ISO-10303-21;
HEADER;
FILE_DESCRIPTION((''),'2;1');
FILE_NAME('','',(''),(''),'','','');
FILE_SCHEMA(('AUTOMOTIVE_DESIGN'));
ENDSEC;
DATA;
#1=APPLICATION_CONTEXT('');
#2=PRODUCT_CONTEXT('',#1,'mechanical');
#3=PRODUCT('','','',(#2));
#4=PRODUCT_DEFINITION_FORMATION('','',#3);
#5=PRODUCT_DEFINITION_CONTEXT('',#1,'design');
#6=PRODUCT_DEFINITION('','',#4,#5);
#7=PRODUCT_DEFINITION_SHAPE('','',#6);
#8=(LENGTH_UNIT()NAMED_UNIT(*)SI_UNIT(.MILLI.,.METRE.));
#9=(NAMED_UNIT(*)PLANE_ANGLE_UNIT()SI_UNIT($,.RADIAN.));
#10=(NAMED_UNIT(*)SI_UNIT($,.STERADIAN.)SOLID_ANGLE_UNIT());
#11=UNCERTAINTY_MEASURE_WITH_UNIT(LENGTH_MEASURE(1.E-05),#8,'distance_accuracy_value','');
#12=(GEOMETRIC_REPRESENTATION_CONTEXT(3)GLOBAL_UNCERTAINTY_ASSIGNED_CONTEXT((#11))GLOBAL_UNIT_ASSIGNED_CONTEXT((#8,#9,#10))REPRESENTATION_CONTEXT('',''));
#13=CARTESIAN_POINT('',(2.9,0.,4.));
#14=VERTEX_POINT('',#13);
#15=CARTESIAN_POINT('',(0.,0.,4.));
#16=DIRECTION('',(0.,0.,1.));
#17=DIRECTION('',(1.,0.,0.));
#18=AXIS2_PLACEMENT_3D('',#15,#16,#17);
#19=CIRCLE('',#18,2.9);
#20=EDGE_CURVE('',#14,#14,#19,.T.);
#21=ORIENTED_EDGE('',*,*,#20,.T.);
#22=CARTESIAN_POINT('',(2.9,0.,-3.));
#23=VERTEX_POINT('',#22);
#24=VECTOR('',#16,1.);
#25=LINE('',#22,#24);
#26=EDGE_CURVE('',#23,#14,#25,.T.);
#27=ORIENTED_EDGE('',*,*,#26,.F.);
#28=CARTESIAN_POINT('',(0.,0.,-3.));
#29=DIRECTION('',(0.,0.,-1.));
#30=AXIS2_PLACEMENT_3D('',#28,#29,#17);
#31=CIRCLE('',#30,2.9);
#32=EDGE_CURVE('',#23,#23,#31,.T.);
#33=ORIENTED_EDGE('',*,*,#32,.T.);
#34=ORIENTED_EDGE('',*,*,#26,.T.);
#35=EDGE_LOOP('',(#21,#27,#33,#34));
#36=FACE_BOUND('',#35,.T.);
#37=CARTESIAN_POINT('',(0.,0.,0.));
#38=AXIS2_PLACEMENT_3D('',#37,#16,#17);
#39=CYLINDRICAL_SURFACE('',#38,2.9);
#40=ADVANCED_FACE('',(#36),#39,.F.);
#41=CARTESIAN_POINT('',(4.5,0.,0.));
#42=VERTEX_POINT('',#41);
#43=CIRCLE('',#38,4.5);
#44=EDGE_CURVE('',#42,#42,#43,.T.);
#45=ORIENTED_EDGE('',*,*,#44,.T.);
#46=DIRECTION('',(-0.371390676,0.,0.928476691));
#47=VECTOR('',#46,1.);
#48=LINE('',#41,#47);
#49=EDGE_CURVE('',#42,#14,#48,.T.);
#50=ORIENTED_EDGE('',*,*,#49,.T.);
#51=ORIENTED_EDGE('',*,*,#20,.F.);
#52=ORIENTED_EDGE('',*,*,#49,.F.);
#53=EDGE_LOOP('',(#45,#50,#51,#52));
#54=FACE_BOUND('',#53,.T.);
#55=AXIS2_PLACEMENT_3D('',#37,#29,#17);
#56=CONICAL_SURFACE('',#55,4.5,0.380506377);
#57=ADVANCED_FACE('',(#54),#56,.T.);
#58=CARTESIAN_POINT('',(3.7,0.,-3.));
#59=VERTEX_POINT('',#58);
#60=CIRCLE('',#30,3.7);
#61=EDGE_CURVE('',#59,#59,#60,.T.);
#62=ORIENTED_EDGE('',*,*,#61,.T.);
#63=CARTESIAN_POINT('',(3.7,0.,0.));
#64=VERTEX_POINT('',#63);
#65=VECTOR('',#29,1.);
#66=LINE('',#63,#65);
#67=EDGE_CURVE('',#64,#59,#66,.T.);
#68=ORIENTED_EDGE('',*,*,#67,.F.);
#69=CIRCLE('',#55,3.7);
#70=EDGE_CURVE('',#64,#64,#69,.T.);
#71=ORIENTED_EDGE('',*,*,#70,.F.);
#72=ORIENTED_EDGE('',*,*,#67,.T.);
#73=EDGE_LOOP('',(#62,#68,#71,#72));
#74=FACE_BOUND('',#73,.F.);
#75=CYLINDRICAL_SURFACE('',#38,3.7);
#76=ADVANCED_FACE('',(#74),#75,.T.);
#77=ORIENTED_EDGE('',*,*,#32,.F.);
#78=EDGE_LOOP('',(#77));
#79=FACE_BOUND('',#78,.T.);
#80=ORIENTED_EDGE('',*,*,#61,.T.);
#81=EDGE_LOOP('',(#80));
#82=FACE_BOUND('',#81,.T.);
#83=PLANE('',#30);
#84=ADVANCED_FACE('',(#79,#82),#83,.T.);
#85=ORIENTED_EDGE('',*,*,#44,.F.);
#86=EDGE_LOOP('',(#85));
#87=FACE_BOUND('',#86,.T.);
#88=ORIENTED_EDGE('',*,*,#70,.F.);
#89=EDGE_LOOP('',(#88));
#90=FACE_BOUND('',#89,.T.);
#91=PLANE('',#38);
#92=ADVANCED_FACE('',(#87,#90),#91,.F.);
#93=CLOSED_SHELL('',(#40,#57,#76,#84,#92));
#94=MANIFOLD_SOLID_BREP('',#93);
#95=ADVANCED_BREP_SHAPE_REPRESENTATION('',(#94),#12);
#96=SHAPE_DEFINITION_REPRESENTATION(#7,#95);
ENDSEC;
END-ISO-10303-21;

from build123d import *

# Parameters (mm, degrees)
SKETCH001_R   = 3.7
SKETCH001_R_2 = 2.9
PAD_DEPTH     = 3


with BuildPart() as part:
    # Sketch → Revolution (revolve)
    with BuildSketch(Plane.XZ):
        Polygon((2.9, 0), (4.5, 0), (2.9, 4), align=None)
    revolve(axis=Axis((0, 0, 0), (0, 0, 1)))

    # Sketch001 (on Face1 of Revolution) → Pad (new body)
    with BuildSketch(Plane(origin=(0, 0, 0), x_dir=(1, 0, 0), z_dir=(0, 0, -1))):
        Circle(SKETCH001_R)
        Circle(SKETCH001_R_2, mode=Mode.SUBTRACT)
    extrude(amount=PAD_DEPTH)


solid = part.part
